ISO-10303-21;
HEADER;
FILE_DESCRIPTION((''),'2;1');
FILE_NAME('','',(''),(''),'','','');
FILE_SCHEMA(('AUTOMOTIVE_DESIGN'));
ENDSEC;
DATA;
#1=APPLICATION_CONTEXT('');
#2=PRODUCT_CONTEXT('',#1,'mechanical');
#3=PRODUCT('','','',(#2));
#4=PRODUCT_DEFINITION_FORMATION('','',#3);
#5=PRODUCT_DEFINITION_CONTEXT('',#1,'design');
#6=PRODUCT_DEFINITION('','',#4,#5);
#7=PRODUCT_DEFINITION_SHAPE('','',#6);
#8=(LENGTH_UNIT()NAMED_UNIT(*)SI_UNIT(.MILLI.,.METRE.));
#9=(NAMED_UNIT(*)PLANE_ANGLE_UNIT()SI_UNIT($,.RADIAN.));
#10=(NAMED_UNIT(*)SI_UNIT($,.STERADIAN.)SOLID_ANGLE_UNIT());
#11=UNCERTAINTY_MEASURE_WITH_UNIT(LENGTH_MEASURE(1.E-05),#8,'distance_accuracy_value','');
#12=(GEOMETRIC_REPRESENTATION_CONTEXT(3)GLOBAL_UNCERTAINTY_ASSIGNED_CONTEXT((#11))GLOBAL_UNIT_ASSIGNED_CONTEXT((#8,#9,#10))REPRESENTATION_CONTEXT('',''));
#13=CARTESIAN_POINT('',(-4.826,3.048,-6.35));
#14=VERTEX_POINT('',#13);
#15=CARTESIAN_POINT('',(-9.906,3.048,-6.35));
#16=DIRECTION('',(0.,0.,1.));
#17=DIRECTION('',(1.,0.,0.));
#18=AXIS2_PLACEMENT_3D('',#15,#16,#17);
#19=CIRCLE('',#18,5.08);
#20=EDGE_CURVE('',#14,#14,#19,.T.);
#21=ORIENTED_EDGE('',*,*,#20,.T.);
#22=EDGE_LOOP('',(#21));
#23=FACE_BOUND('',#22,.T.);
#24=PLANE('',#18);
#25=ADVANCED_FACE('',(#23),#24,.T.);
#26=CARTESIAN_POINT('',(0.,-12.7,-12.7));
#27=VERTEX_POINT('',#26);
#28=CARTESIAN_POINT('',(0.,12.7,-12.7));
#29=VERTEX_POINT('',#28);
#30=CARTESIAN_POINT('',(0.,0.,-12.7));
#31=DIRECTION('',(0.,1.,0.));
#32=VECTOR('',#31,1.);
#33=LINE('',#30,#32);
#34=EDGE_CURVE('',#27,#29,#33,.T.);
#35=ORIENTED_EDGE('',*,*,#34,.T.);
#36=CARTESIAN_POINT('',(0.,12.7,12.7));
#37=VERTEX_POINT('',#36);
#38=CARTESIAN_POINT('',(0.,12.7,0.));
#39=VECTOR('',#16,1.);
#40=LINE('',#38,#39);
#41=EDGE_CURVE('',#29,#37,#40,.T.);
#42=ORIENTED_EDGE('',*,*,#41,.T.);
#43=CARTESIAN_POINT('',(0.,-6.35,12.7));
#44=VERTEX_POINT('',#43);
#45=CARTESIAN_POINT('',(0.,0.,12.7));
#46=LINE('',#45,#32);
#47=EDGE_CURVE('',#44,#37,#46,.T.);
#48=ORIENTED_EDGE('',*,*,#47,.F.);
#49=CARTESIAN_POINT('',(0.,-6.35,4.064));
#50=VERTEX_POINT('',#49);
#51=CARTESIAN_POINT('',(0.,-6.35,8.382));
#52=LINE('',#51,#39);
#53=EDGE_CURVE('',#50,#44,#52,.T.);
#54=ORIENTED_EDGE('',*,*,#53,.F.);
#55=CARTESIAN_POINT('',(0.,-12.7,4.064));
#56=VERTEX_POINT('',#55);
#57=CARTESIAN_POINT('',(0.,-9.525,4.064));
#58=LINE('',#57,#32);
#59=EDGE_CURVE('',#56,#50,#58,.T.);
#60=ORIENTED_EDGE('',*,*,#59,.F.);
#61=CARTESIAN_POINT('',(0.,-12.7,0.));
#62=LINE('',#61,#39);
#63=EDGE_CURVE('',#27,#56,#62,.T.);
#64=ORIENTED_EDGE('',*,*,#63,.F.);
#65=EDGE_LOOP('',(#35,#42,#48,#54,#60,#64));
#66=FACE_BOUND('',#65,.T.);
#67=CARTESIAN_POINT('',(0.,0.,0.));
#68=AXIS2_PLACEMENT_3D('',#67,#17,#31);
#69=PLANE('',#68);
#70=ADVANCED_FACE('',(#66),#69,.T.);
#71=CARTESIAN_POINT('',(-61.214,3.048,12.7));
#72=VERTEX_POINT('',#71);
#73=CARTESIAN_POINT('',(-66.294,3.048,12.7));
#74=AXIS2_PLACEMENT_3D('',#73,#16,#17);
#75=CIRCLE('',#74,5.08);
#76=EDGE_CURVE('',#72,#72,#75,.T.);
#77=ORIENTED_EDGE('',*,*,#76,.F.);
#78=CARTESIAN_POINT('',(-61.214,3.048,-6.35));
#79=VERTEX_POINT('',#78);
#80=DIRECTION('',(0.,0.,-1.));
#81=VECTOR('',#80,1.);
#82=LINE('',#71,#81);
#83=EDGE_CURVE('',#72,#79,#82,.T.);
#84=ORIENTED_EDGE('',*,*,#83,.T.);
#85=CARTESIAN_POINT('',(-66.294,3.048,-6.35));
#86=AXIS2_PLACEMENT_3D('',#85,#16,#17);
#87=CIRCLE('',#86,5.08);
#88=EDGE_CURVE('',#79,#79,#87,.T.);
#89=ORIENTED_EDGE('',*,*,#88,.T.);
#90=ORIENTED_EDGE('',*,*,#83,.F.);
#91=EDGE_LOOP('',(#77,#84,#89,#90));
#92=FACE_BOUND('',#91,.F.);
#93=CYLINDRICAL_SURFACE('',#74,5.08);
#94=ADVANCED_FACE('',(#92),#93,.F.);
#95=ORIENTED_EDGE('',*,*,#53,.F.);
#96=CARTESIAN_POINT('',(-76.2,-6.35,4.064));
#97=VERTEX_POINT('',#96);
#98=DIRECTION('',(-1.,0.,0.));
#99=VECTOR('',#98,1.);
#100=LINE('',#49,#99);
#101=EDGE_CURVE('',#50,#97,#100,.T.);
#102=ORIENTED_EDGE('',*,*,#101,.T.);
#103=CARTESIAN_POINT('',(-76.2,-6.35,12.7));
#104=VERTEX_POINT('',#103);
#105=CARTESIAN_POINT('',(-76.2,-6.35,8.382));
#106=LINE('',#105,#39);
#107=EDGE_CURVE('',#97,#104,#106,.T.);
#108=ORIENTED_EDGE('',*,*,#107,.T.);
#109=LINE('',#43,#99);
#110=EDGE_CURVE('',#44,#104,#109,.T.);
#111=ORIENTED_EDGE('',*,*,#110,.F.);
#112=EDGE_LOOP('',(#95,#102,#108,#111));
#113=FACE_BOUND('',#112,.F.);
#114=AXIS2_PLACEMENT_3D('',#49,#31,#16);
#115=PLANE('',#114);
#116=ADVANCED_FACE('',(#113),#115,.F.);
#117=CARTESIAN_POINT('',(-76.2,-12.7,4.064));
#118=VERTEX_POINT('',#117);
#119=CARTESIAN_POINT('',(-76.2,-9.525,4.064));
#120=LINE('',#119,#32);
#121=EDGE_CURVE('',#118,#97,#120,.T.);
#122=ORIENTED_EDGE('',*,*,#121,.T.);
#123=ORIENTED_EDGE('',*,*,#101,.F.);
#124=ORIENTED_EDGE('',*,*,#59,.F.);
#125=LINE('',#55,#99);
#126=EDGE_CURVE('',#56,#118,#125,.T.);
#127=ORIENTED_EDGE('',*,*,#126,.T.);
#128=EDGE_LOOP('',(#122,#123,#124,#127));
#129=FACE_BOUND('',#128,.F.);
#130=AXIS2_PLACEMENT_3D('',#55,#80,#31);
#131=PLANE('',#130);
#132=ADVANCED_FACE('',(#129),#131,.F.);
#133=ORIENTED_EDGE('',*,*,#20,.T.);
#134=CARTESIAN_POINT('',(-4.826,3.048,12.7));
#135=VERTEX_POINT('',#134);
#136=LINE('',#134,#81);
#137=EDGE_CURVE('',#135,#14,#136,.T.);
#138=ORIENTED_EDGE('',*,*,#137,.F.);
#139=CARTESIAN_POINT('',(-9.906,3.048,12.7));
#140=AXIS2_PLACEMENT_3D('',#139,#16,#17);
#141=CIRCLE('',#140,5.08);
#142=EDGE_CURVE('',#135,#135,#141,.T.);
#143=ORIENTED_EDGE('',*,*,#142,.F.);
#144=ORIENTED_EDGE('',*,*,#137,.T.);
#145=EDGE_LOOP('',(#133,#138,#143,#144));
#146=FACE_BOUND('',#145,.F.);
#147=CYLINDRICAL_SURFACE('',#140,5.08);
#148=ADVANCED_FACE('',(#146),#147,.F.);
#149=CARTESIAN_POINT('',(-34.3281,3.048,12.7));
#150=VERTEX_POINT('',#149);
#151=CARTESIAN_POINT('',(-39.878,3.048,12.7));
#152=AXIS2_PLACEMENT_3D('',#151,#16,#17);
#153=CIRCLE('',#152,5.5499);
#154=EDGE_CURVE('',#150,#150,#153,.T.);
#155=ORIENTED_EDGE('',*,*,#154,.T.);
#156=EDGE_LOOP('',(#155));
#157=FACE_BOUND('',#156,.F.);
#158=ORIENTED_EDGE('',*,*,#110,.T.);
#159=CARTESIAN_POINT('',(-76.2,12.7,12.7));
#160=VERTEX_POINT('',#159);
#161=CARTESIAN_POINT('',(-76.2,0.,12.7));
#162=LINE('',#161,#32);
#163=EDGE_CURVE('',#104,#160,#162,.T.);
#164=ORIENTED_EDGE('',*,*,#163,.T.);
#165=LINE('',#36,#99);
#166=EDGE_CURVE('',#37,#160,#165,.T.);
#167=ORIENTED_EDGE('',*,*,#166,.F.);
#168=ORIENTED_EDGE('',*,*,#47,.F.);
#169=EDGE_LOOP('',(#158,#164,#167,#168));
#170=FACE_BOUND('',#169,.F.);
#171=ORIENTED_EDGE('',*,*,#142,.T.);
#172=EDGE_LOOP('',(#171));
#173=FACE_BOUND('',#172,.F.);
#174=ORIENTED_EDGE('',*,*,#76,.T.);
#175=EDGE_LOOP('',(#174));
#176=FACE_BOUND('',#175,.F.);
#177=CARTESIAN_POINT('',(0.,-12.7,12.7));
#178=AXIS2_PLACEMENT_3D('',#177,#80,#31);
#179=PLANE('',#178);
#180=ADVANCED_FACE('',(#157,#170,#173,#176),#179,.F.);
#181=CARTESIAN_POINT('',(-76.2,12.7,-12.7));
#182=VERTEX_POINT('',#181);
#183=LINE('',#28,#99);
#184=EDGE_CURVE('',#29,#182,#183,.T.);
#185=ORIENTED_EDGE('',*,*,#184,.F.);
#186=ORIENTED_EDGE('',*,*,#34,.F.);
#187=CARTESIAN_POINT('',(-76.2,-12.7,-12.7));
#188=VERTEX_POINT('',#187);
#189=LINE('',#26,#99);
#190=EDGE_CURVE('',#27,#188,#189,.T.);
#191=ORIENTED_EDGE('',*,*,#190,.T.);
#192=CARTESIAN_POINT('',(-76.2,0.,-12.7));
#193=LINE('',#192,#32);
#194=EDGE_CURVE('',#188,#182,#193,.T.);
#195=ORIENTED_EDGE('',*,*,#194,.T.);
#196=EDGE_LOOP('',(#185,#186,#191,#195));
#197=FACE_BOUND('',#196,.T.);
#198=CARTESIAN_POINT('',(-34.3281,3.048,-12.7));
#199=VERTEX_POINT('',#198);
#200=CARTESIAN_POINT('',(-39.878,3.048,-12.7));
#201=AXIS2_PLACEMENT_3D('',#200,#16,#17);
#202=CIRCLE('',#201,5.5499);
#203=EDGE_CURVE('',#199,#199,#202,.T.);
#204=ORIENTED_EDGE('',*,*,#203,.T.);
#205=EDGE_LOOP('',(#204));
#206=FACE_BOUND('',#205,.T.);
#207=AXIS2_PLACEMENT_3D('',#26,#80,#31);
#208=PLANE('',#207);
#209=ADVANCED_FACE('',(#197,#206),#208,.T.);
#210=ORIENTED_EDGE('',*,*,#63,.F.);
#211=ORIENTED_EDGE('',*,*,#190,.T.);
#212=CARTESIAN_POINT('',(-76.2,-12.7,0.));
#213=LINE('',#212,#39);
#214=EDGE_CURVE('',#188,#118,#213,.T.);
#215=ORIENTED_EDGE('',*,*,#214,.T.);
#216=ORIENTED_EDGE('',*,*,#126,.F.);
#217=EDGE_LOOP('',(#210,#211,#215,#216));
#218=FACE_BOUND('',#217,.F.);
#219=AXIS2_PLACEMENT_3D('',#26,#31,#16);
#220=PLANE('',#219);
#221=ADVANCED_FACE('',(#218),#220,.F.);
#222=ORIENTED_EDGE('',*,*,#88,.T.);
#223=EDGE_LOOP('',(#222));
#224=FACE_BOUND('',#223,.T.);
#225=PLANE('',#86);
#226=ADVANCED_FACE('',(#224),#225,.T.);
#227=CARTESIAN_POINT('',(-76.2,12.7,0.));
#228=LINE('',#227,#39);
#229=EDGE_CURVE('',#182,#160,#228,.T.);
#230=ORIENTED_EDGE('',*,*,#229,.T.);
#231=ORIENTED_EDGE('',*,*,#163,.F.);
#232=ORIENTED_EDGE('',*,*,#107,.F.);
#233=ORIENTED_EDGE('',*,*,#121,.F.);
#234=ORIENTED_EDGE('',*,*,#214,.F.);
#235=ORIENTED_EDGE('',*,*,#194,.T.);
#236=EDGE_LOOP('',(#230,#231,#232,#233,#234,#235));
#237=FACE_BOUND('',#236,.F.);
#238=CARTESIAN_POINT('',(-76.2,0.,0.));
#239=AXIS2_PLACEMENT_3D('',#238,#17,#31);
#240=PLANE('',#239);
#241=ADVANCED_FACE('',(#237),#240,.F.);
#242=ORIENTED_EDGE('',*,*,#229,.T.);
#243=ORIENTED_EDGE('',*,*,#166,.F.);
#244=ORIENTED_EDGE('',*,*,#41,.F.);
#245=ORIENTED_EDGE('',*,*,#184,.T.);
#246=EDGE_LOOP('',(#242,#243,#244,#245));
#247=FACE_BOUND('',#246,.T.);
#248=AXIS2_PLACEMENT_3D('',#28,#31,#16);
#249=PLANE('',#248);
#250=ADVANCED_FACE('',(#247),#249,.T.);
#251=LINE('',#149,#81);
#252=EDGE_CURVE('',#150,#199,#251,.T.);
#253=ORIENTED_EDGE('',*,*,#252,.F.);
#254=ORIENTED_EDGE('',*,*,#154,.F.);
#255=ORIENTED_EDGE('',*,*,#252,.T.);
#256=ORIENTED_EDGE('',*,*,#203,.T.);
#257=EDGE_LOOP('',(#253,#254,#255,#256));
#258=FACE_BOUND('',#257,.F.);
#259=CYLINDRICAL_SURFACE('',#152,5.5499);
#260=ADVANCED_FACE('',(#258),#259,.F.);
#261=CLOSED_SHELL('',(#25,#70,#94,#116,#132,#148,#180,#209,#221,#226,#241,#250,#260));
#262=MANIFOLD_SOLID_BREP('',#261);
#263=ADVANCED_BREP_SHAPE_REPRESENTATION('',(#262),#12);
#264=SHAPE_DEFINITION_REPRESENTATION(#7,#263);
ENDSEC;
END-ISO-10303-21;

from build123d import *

# Parameters (mm, degrees)
F0_W     = 25.4
F0_H     = 25.4
F1_DEPTH = 76.2
F2_W     = 6.35
F2_H     = 8.636
F3_DEPTH = 76.2
F4_R     = 5.08
F5_DEPTH = 19.05
F6_R     = 5.5499
F7_DEPTH = 73.406


with BuildPart() as f1:
    # F0 (on Right) → F1 (new body)
    with BuildSketch(Plane.YZ):
        Rectangle(F0_W, F0_H)
    extrude(amount=-F1_DEPTH)

    # F2 (on Right) → F3 (cut)
    with BuildSketch(Plane.YZ):
        with Locations((-9.525, 8.382)):
            Rectangle(F2_W, F2_H)
    extrude(amount=-F3_DEPTH, mode=Mode.SUBTRACT)

    # F4 (on face) → F5 (cut)
    with BuildSketch(Plane.XY.offset(12.7)):
        with Locations((-66.294, 3.048)):
            Circle(F4_R)
        with Locations((-9.906, 3.048)):
            Circle(F4_R)
    extrude(amount=-F5_DEPTH, mode=Mode.SUBTRACT)

    # F6 (on face) → F7 (cut)
    with BuildSketch(Plane.XY.offset(12.7)):
        with Locations((-39.878, 3.048)):
            Circle(F6_R)
    extrude(amount=-F7_DEPTH, mode=Mode.SUBTRACT)


solid = f1.part
